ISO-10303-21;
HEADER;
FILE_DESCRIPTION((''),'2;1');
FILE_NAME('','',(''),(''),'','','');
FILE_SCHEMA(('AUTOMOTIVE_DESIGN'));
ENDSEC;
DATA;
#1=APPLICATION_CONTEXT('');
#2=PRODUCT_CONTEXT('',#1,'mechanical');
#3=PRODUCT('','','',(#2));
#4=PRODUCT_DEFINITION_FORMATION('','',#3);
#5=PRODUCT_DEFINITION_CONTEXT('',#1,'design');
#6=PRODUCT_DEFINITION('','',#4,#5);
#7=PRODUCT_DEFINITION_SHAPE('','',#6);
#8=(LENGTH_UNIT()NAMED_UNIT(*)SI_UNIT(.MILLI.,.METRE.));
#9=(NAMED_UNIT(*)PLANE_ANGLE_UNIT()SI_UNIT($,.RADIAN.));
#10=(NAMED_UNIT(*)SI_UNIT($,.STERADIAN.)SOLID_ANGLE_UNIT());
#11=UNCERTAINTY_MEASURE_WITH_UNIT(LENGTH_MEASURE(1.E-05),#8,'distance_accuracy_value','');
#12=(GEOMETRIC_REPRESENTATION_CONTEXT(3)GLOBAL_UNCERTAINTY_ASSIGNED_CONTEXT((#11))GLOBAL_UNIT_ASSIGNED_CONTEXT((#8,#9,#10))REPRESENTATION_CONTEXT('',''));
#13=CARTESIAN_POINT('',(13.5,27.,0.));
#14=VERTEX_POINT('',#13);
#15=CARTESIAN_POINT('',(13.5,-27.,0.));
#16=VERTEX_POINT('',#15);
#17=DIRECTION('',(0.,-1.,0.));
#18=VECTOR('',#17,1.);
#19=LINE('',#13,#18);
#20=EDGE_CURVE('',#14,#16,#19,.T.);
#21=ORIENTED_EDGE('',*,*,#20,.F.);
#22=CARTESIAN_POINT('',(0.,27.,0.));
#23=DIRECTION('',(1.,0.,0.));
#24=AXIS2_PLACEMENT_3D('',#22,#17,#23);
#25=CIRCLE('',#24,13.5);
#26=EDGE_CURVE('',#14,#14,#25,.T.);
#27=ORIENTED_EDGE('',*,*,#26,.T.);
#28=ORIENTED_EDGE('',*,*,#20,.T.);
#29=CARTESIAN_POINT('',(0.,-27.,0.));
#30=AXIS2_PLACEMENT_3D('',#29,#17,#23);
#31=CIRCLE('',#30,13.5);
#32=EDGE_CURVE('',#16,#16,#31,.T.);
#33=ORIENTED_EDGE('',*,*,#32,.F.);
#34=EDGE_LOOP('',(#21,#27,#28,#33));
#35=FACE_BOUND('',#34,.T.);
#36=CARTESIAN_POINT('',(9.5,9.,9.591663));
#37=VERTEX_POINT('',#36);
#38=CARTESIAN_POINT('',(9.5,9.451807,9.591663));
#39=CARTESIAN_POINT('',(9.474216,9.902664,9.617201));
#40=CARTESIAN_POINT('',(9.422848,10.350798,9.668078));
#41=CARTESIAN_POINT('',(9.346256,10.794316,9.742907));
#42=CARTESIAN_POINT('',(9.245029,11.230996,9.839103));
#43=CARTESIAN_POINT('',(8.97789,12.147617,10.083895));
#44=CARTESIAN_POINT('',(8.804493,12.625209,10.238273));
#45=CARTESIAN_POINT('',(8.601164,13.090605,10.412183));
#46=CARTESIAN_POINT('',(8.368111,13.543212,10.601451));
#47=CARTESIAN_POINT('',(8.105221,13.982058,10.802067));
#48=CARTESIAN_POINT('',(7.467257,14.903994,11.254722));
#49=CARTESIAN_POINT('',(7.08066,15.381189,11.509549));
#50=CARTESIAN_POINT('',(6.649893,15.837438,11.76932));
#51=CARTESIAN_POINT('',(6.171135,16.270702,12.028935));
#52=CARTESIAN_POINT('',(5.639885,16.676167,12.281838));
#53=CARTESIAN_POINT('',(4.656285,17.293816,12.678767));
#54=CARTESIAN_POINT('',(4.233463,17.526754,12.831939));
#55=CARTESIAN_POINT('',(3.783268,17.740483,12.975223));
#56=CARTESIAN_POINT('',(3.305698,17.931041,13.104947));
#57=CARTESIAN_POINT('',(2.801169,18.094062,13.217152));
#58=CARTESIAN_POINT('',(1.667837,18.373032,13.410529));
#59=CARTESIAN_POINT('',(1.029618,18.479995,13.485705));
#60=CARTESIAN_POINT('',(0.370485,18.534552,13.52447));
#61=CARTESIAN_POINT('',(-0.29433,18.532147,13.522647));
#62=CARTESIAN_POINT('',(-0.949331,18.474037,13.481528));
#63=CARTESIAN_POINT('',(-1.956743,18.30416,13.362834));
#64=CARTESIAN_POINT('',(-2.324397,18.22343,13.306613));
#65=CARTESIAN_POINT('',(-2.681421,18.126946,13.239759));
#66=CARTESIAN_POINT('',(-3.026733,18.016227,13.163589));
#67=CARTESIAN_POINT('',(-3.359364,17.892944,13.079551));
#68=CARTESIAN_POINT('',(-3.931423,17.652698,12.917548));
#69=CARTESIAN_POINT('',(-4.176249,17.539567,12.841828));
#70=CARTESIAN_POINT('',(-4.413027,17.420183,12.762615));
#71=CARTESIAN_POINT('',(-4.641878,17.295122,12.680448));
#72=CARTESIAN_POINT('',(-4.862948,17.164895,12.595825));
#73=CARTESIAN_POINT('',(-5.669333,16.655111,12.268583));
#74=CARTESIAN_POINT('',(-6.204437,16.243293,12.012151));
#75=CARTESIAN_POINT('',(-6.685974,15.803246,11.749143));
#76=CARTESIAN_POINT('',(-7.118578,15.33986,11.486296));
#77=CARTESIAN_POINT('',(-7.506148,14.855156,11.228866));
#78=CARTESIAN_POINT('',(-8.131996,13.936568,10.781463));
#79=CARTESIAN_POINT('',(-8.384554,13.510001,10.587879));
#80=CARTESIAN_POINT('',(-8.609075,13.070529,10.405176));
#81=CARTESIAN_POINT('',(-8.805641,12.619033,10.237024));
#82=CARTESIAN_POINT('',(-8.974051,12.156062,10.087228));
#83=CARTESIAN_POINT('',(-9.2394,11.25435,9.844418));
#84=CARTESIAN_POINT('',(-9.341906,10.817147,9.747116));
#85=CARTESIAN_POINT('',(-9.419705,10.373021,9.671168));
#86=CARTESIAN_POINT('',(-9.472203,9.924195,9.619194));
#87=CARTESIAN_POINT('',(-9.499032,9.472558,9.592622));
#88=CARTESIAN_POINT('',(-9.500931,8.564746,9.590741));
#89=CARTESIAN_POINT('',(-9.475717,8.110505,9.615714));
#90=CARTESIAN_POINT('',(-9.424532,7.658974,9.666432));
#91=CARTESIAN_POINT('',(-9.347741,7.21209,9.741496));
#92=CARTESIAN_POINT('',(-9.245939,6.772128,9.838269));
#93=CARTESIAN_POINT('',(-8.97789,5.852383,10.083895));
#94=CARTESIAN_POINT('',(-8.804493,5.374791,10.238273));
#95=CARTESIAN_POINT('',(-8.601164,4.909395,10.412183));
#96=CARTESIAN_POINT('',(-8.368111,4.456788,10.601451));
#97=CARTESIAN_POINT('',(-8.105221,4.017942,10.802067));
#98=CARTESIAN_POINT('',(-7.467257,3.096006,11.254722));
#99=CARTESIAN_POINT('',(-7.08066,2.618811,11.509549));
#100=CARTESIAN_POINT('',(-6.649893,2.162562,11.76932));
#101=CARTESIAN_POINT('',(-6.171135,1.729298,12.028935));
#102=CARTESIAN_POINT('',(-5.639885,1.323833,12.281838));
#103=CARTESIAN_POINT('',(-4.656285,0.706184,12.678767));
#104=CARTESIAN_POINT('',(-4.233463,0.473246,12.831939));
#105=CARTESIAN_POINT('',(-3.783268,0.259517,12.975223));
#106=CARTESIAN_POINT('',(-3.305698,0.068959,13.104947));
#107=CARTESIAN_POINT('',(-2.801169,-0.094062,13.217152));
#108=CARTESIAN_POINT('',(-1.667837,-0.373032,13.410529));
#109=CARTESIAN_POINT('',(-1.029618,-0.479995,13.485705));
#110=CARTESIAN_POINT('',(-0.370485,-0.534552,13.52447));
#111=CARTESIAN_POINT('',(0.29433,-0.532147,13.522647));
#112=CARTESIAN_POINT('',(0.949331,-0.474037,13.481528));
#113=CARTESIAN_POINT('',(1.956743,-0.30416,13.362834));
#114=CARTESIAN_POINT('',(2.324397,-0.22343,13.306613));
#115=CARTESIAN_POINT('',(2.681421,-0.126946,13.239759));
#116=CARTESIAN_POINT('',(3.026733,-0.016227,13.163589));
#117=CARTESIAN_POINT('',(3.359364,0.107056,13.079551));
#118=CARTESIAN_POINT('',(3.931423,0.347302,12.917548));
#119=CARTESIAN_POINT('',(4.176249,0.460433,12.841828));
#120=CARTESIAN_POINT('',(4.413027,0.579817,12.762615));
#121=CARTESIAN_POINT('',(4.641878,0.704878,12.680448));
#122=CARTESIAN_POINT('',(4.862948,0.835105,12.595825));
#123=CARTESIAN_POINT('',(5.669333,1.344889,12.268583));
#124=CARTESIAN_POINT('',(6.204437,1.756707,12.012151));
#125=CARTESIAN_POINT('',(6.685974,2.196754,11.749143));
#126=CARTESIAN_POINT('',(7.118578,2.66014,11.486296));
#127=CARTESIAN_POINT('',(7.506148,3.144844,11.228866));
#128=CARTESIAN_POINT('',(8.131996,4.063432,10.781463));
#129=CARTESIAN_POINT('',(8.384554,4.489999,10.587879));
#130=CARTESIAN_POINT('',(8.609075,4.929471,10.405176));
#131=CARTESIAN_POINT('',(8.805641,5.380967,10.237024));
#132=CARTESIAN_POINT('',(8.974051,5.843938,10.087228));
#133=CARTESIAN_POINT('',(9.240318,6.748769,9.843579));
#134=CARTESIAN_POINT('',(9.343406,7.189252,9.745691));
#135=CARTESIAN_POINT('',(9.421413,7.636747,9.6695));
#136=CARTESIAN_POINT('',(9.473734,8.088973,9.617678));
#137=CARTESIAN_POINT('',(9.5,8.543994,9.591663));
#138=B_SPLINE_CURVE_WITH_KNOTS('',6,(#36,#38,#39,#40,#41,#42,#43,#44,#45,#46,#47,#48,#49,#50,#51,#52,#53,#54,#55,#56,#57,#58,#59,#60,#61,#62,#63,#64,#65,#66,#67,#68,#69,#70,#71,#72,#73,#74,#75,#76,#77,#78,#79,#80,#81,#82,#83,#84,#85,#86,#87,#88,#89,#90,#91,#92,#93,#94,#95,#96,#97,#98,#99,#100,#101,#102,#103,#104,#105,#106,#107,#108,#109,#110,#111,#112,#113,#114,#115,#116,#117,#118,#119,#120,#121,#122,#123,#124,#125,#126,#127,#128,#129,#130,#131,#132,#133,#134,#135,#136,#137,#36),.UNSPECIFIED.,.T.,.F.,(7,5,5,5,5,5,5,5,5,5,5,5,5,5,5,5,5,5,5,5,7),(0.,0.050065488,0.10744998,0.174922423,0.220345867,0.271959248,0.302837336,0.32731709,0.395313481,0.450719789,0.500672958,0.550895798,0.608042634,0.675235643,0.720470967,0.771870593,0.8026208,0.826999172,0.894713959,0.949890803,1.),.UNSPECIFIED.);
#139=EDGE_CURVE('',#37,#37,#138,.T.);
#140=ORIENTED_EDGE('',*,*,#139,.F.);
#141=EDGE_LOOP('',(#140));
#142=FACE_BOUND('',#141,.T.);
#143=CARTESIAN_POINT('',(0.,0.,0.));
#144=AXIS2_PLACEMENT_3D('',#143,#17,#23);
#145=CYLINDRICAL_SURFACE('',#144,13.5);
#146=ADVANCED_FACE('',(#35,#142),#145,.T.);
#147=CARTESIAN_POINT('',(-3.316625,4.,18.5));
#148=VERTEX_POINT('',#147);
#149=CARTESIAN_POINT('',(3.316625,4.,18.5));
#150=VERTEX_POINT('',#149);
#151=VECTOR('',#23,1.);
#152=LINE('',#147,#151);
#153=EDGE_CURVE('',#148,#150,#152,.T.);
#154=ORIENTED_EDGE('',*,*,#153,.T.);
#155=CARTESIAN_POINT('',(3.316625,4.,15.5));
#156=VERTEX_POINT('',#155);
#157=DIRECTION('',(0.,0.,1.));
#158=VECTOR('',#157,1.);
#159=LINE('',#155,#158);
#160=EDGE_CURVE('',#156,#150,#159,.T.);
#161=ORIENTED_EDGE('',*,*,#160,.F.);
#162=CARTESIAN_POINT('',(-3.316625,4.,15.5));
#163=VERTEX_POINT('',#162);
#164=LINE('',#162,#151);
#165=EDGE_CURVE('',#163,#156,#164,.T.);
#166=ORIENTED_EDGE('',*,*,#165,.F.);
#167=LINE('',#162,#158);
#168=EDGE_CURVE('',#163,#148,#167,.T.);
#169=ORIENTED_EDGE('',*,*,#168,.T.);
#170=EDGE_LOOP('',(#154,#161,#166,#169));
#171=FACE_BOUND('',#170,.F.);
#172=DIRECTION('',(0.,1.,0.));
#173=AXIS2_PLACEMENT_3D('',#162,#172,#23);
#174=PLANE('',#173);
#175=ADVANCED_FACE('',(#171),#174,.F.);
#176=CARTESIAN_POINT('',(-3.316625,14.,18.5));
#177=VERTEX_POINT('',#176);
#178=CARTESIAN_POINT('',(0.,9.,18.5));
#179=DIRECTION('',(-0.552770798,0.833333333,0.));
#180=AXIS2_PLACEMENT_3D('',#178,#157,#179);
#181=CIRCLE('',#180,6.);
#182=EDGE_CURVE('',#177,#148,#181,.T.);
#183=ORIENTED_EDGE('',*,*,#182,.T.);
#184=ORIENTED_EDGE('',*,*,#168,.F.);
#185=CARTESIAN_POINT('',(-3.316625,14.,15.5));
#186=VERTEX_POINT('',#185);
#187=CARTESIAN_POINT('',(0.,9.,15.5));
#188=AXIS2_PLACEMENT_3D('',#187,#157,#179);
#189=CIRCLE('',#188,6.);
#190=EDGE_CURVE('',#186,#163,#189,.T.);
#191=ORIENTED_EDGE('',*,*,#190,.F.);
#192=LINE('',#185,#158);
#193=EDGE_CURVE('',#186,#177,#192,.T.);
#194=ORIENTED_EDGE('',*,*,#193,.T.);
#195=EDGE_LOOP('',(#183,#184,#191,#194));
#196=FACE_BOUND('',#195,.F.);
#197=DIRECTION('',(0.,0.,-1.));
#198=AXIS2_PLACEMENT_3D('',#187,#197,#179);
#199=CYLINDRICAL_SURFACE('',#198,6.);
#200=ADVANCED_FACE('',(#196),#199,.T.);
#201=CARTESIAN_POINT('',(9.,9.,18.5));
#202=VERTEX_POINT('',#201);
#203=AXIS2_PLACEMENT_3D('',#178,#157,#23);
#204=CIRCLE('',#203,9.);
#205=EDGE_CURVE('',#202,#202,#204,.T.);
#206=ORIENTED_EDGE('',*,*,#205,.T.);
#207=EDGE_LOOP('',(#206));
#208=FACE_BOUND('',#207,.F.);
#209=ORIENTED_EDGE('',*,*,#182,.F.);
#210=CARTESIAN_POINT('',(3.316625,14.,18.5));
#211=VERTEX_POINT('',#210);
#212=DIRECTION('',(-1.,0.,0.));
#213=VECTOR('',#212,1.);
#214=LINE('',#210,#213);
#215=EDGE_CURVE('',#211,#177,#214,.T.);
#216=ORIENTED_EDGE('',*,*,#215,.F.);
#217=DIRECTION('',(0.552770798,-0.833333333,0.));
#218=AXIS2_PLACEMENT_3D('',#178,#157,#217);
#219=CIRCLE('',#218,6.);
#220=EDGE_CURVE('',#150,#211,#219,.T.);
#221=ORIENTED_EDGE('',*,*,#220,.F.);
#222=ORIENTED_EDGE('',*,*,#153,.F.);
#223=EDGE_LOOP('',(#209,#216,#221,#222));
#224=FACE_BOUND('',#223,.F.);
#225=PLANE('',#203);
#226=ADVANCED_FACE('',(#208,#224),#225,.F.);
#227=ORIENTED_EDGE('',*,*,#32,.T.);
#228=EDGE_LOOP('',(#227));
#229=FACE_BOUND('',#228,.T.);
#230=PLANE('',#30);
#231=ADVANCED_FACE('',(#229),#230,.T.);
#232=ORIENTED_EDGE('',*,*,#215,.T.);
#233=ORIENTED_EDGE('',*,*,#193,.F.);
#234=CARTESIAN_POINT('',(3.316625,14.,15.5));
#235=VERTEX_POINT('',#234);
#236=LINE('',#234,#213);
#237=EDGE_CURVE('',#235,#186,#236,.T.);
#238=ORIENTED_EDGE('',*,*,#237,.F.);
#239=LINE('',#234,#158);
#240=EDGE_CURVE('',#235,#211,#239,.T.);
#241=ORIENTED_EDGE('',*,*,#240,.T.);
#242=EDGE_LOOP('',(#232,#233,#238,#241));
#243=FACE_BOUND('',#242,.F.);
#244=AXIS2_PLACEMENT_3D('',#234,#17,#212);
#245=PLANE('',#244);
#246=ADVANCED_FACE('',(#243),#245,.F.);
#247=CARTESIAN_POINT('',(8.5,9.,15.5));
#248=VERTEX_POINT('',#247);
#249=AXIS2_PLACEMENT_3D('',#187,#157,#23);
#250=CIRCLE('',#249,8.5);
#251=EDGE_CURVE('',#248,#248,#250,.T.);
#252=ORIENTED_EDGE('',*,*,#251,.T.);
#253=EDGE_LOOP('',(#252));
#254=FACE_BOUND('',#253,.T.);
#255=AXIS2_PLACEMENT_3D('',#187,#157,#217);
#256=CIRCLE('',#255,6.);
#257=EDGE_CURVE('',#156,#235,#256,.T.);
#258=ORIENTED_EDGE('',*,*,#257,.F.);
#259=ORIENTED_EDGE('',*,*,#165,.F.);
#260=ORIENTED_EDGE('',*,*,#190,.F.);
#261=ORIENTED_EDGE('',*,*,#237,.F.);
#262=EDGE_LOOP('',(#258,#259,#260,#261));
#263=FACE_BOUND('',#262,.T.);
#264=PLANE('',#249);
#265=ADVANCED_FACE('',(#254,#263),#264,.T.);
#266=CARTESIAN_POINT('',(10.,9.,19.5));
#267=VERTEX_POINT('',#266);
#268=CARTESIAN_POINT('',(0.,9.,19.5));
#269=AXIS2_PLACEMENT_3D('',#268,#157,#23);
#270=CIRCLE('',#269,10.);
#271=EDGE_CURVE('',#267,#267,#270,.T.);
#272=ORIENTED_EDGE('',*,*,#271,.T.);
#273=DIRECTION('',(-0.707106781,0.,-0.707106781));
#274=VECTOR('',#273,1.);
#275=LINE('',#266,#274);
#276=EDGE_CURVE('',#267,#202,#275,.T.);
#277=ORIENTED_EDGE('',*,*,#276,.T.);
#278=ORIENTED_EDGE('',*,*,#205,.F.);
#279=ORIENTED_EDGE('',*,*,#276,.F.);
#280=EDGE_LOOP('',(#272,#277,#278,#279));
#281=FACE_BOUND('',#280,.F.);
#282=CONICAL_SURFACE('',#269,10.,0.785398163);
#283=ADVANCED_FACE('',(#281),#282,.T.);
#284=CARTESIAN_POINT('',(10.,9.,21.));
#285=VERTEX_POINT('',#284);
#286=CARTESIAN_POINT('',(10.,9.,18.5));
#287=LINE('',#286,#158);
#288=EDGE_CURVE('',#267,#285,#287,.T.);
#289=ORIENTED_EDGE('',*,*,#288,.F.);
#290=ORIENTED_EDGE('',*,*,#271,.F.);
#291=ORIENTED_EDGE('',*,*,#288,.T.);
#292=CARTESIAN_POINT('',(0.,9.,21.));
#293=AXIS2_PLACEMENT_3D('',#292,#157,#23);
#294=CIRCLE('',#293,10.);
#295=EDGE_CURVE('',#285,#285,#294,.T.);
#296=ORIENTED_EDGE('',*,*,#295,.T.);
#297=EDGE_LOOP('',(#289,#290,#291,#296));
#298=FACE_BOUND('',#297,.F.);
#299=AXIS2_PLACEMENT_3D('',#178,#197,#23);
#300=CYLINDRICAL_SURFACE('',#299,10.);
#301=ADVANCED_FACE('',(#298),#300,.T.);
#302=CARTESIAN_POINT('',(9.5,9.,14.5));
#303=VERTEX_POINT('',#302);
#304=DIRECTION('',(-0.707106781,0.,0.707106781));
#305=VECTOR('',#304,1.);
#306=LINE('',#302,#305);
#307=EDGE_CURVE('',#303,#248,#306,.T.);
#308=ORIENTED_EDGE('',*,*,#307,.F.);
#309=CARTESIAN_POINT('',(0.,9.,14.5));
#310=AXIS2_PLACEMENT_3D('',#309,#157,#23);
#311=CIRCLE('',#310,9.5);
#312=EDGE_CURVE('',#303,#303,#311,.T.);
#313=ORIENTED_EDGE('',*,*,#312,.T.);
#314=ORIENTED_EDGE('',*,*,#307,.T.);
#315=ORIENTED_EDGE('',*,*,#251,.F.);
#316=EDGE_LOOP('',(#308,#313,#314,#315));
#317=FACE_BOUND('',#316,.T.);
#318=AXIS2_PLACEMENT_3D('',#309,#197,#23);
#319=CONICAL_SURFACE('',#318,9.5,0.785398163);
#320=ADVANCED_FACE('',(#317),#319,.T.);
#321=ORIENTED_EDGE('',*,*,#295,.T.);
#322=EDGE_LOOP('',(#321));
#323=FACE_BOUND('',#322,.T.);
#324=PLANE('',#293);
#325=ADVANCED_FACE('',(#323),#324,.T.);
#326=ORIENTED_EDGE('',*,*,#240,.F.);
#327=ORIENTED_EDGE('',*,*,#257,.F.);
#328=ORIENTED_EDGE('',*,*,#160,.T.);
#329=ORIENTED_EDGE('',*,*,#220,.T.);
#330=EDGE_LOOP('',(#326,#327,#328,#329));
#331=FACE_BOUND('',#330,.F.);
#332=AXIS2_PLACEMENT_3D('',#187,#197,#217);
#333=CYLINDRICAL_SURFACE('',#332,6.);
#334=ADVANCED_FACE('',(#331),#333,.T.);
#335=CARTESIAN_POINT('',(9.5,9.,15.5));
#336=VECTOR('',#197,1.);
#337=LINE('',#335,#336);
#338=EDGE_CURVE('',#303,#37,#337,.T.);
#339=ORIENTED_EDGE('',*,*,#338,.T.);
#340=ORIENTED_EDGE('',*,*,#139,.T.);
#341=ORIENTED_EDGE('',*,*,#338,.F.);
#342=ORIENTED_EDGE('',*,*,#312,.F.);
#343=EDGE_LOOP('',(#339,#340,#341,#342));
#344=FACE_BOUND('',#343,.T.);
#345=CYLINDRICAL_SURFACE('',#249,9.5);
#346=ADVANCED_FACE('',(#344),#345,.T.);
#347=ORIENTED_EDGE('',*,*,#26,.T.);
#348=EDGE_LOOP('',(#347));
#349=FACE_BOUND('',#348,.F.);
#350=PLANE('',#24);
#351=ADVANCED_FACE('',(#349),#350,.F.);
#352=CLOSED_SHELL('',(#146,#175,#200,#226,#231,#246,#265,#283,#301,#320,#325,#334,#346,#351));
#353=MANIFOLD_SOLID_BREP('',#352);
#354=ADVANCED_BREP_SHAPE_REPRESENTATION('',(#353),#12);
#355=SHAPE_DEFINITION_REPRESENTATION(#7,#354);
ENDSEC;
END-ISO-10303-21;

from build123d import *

# Parameters (mm, degrees)
F0_R     = 13.5
F1_DEPTH = 27
F3_R     = 9.5
F5_SIZE  = 1
F7_DEPTH = 3
F8_R     = 10
F9_DEPTH = 2.5
F10_SIZE = 1


with BuildPart() as f1:
    # F0 (on Front) → F1 (new body, symmetric)
    with BuildSketch(Plane.XZ):
        Circle(F0_R)
    extrude(amount=F1_DEPTH, both=True)

    # F3 (on offset) → F4 (join, up to the next surface of F1)
    with BuildSketch(Plane.XY.offset(15.5)):
        with Locations((0, 9)):
            Circle(F3_R)
    extrude(until=Until.NEXT, dir=(0, 0, -1))

    # F5
    f5_edges = [f1.edges().sort_by_distance(p)[0] for p in [
        (-9.5, 9, 15.5),
    ]]
    chamfer(f5_edges, length=F5_SIZE)

    # F6 (on face) → F7 (join)
    with BuildSketch(Plane.XY.offset(15.5)):
        with BuildLine():
            Line((3.3166247904, 14), (-3.3166247904, 14))
            ThreePointArc((-3.3166247904, 14), (-6, 9), (-3.3166247904, 4))
            Line((-3.3166247904, 4), (3.3166247904, 4))
            ThreePointArc((3.3166247904, 4), (6, 9), (3.3166247904, 14))
        make_face()
    extrude(amount=F7_DEPTH)

    # F8 (on face) → F9 (join)
    with BuildSketch(Plane.XY.offset(18.5)):
        with Locations((0, 9)):
            Circle(F8_R)
    extrude(amount=F9_DEPTH)

    # F10
    f10_edges = [f1.edges().sort_by_distance(p)[0] for p in [
        (-10, 9, 18.5),
    ]]
    chamfer(f10_edges, length=F10_SIZE)


solid = f1.part
